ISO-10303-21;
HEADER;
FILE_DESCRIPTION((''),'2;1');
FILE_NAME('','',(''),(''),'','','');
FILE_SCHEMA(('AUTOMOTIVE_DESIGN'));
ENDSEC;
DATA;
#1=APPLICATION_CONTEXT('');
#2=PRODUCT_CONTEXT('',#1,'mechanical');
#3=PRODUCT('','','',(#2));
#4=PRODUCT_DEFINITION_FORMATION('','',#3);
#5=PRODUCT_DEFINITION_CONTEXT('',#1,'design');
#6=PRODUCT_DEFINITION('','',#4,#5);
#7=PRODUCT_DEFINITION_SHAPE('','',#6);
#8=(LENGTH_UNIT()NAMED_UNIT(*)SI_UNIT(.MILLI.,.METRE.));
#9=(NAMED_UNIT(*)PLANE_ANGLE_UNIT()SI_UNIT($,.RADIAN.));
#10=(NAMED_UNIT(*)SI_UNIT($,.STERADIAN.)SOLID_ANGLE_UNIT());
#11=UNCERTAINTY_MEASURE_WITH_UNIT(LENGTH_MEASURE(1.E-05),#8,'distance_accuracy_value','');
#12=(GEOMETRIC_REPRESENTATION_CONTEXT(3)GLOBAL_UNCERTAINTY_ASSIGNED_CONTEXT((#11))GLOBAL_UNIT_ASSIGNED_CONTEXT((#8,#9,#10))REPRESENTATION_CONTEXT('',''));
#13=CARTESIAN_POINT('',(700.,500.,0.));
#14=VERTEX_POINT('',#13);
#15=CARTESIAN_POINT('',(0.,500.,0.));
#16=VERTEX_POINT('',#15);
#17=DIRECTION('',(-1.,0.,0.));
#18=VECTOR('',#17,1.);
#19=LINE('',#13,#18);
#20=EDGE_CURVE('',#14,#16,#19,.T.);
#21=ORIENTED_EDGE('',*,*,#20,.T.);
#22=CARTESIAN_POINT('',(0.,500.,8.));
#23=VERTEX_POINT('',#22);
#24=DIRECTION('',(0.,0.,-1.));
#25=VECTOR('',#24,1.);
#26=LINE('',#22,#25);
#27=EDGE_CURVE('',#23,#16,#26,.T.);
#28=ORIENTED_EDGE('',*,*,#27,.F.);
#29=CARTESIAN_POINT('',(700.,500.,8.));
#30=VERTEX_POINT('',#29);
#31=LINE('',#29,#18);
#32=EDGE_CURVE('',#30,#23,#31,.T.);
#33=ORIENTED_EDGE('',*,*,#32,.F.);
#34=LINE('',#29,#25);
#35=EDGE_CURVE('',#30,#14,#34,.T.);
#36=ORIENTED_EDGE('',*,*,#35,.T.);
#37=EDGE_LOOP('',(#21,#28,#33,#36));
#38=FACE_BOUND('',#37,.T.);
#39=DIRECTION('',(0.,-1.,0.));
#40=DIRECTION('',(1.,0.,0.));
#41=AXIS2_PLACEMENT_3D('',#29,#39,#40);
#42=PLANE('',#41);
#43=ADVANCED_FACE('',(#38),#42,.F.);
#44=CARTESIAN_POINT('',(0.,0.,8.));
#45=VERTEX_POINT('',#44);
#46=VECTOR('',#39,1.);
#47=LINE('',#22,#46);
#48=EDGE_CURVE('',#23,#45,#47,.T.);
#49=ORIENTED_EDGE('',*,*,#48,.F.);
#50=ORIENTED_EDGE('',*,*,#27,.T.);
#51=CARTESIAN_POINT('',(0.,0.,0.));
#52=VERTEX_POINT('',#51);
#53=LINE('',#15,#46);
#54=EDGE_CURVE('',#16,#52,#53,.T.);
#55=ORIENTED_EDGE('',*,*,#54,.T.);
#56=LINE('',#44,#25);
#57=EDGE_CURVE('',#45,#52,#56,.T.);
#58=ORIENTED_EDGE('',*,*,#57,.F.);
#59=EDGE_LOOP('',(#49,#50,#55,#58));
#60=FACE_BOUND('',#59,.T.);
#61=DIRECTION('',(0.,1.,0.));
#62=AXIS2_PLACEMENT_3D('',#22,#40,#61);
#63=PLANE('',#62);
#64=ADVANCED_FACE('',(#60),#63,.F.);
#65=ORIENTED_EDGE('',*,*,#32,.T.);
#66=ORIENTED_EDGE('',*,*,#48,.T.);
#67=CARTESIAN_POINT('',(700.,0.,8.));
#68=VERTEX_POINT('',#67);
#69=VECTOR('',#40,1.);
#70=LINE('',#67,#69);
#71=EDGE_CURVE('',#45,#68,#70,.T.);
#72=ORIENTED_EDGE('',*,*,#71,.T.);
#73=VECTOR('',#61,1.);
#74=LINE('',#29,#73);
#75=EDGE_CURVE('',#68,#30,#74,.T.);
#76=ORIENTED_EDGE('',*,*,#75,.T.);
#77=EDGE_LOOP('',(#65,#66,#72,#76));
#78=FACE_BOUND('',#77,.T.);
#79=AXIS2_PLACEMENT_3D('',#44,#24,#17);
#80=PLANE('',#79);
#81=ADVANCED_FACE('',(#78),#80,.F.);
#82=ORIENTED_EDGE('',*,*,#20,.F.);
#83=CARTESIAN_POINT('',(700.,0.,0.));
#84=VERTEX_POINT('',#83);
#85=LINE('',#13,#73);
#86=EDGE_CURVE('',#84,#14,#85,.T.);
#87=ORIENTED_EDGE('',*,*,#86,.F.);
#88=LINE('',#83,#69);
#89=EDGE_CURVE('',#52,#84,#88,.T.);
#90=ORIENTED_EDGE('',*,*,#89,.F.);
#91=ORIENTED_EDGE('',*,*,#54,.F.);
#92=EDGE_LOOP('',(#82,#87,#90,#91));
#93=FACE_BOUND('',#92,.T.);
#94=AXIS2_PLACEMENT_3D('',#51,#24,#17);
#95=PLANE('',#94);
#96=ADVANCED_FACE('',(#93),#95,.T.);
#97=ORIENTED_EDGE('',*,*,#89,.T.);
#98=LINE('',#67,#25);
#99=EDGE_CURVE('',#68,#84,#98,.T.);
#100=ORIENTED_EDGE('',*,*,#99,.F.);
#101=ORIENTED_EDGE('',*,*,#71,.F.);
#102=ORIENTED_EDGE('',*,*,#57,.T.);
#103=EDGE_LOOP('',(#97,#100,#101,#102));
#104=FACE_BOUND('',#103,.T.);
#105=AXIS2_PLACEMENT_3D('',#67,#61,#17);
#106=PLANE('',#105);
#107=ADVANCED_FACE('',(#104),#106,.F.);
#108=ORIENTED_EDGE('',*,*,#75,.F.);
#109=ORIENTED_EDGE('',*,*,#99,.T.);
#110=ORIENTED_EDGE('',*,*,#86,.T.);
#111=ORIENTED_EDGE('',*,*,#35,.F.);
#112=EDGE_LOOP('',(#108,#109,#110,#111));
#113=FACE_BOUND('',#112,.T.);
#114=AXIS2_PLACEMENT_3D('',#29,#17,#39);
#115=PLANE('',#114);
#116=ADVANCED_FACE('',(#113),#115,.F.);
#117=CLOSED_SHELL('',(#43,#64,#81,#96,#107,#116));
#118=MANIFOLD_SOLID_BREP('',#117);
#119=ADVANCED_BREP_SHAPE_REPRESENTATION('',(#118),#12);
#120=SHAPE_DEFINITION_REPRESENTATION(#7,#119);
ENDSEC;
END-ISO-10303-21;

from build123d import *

# Parameters (mm, degrees)
SKETCH1_W           = 700
SKETCH1_H           = 500
BOSS_EXTRUDE1_DEPTH = 8


with BuildPart() as part:
    # Sketch1 → Boss-Extrude1 (new body)
    with BuildSketch(Plane.XY):
        with Locations((350, 250)):
            Rectangle(SKETCH1_W, SKETCH1_H)
    extrude(amount=BOSS_EXTRUDE1_DEPTH)


solid = part.part
